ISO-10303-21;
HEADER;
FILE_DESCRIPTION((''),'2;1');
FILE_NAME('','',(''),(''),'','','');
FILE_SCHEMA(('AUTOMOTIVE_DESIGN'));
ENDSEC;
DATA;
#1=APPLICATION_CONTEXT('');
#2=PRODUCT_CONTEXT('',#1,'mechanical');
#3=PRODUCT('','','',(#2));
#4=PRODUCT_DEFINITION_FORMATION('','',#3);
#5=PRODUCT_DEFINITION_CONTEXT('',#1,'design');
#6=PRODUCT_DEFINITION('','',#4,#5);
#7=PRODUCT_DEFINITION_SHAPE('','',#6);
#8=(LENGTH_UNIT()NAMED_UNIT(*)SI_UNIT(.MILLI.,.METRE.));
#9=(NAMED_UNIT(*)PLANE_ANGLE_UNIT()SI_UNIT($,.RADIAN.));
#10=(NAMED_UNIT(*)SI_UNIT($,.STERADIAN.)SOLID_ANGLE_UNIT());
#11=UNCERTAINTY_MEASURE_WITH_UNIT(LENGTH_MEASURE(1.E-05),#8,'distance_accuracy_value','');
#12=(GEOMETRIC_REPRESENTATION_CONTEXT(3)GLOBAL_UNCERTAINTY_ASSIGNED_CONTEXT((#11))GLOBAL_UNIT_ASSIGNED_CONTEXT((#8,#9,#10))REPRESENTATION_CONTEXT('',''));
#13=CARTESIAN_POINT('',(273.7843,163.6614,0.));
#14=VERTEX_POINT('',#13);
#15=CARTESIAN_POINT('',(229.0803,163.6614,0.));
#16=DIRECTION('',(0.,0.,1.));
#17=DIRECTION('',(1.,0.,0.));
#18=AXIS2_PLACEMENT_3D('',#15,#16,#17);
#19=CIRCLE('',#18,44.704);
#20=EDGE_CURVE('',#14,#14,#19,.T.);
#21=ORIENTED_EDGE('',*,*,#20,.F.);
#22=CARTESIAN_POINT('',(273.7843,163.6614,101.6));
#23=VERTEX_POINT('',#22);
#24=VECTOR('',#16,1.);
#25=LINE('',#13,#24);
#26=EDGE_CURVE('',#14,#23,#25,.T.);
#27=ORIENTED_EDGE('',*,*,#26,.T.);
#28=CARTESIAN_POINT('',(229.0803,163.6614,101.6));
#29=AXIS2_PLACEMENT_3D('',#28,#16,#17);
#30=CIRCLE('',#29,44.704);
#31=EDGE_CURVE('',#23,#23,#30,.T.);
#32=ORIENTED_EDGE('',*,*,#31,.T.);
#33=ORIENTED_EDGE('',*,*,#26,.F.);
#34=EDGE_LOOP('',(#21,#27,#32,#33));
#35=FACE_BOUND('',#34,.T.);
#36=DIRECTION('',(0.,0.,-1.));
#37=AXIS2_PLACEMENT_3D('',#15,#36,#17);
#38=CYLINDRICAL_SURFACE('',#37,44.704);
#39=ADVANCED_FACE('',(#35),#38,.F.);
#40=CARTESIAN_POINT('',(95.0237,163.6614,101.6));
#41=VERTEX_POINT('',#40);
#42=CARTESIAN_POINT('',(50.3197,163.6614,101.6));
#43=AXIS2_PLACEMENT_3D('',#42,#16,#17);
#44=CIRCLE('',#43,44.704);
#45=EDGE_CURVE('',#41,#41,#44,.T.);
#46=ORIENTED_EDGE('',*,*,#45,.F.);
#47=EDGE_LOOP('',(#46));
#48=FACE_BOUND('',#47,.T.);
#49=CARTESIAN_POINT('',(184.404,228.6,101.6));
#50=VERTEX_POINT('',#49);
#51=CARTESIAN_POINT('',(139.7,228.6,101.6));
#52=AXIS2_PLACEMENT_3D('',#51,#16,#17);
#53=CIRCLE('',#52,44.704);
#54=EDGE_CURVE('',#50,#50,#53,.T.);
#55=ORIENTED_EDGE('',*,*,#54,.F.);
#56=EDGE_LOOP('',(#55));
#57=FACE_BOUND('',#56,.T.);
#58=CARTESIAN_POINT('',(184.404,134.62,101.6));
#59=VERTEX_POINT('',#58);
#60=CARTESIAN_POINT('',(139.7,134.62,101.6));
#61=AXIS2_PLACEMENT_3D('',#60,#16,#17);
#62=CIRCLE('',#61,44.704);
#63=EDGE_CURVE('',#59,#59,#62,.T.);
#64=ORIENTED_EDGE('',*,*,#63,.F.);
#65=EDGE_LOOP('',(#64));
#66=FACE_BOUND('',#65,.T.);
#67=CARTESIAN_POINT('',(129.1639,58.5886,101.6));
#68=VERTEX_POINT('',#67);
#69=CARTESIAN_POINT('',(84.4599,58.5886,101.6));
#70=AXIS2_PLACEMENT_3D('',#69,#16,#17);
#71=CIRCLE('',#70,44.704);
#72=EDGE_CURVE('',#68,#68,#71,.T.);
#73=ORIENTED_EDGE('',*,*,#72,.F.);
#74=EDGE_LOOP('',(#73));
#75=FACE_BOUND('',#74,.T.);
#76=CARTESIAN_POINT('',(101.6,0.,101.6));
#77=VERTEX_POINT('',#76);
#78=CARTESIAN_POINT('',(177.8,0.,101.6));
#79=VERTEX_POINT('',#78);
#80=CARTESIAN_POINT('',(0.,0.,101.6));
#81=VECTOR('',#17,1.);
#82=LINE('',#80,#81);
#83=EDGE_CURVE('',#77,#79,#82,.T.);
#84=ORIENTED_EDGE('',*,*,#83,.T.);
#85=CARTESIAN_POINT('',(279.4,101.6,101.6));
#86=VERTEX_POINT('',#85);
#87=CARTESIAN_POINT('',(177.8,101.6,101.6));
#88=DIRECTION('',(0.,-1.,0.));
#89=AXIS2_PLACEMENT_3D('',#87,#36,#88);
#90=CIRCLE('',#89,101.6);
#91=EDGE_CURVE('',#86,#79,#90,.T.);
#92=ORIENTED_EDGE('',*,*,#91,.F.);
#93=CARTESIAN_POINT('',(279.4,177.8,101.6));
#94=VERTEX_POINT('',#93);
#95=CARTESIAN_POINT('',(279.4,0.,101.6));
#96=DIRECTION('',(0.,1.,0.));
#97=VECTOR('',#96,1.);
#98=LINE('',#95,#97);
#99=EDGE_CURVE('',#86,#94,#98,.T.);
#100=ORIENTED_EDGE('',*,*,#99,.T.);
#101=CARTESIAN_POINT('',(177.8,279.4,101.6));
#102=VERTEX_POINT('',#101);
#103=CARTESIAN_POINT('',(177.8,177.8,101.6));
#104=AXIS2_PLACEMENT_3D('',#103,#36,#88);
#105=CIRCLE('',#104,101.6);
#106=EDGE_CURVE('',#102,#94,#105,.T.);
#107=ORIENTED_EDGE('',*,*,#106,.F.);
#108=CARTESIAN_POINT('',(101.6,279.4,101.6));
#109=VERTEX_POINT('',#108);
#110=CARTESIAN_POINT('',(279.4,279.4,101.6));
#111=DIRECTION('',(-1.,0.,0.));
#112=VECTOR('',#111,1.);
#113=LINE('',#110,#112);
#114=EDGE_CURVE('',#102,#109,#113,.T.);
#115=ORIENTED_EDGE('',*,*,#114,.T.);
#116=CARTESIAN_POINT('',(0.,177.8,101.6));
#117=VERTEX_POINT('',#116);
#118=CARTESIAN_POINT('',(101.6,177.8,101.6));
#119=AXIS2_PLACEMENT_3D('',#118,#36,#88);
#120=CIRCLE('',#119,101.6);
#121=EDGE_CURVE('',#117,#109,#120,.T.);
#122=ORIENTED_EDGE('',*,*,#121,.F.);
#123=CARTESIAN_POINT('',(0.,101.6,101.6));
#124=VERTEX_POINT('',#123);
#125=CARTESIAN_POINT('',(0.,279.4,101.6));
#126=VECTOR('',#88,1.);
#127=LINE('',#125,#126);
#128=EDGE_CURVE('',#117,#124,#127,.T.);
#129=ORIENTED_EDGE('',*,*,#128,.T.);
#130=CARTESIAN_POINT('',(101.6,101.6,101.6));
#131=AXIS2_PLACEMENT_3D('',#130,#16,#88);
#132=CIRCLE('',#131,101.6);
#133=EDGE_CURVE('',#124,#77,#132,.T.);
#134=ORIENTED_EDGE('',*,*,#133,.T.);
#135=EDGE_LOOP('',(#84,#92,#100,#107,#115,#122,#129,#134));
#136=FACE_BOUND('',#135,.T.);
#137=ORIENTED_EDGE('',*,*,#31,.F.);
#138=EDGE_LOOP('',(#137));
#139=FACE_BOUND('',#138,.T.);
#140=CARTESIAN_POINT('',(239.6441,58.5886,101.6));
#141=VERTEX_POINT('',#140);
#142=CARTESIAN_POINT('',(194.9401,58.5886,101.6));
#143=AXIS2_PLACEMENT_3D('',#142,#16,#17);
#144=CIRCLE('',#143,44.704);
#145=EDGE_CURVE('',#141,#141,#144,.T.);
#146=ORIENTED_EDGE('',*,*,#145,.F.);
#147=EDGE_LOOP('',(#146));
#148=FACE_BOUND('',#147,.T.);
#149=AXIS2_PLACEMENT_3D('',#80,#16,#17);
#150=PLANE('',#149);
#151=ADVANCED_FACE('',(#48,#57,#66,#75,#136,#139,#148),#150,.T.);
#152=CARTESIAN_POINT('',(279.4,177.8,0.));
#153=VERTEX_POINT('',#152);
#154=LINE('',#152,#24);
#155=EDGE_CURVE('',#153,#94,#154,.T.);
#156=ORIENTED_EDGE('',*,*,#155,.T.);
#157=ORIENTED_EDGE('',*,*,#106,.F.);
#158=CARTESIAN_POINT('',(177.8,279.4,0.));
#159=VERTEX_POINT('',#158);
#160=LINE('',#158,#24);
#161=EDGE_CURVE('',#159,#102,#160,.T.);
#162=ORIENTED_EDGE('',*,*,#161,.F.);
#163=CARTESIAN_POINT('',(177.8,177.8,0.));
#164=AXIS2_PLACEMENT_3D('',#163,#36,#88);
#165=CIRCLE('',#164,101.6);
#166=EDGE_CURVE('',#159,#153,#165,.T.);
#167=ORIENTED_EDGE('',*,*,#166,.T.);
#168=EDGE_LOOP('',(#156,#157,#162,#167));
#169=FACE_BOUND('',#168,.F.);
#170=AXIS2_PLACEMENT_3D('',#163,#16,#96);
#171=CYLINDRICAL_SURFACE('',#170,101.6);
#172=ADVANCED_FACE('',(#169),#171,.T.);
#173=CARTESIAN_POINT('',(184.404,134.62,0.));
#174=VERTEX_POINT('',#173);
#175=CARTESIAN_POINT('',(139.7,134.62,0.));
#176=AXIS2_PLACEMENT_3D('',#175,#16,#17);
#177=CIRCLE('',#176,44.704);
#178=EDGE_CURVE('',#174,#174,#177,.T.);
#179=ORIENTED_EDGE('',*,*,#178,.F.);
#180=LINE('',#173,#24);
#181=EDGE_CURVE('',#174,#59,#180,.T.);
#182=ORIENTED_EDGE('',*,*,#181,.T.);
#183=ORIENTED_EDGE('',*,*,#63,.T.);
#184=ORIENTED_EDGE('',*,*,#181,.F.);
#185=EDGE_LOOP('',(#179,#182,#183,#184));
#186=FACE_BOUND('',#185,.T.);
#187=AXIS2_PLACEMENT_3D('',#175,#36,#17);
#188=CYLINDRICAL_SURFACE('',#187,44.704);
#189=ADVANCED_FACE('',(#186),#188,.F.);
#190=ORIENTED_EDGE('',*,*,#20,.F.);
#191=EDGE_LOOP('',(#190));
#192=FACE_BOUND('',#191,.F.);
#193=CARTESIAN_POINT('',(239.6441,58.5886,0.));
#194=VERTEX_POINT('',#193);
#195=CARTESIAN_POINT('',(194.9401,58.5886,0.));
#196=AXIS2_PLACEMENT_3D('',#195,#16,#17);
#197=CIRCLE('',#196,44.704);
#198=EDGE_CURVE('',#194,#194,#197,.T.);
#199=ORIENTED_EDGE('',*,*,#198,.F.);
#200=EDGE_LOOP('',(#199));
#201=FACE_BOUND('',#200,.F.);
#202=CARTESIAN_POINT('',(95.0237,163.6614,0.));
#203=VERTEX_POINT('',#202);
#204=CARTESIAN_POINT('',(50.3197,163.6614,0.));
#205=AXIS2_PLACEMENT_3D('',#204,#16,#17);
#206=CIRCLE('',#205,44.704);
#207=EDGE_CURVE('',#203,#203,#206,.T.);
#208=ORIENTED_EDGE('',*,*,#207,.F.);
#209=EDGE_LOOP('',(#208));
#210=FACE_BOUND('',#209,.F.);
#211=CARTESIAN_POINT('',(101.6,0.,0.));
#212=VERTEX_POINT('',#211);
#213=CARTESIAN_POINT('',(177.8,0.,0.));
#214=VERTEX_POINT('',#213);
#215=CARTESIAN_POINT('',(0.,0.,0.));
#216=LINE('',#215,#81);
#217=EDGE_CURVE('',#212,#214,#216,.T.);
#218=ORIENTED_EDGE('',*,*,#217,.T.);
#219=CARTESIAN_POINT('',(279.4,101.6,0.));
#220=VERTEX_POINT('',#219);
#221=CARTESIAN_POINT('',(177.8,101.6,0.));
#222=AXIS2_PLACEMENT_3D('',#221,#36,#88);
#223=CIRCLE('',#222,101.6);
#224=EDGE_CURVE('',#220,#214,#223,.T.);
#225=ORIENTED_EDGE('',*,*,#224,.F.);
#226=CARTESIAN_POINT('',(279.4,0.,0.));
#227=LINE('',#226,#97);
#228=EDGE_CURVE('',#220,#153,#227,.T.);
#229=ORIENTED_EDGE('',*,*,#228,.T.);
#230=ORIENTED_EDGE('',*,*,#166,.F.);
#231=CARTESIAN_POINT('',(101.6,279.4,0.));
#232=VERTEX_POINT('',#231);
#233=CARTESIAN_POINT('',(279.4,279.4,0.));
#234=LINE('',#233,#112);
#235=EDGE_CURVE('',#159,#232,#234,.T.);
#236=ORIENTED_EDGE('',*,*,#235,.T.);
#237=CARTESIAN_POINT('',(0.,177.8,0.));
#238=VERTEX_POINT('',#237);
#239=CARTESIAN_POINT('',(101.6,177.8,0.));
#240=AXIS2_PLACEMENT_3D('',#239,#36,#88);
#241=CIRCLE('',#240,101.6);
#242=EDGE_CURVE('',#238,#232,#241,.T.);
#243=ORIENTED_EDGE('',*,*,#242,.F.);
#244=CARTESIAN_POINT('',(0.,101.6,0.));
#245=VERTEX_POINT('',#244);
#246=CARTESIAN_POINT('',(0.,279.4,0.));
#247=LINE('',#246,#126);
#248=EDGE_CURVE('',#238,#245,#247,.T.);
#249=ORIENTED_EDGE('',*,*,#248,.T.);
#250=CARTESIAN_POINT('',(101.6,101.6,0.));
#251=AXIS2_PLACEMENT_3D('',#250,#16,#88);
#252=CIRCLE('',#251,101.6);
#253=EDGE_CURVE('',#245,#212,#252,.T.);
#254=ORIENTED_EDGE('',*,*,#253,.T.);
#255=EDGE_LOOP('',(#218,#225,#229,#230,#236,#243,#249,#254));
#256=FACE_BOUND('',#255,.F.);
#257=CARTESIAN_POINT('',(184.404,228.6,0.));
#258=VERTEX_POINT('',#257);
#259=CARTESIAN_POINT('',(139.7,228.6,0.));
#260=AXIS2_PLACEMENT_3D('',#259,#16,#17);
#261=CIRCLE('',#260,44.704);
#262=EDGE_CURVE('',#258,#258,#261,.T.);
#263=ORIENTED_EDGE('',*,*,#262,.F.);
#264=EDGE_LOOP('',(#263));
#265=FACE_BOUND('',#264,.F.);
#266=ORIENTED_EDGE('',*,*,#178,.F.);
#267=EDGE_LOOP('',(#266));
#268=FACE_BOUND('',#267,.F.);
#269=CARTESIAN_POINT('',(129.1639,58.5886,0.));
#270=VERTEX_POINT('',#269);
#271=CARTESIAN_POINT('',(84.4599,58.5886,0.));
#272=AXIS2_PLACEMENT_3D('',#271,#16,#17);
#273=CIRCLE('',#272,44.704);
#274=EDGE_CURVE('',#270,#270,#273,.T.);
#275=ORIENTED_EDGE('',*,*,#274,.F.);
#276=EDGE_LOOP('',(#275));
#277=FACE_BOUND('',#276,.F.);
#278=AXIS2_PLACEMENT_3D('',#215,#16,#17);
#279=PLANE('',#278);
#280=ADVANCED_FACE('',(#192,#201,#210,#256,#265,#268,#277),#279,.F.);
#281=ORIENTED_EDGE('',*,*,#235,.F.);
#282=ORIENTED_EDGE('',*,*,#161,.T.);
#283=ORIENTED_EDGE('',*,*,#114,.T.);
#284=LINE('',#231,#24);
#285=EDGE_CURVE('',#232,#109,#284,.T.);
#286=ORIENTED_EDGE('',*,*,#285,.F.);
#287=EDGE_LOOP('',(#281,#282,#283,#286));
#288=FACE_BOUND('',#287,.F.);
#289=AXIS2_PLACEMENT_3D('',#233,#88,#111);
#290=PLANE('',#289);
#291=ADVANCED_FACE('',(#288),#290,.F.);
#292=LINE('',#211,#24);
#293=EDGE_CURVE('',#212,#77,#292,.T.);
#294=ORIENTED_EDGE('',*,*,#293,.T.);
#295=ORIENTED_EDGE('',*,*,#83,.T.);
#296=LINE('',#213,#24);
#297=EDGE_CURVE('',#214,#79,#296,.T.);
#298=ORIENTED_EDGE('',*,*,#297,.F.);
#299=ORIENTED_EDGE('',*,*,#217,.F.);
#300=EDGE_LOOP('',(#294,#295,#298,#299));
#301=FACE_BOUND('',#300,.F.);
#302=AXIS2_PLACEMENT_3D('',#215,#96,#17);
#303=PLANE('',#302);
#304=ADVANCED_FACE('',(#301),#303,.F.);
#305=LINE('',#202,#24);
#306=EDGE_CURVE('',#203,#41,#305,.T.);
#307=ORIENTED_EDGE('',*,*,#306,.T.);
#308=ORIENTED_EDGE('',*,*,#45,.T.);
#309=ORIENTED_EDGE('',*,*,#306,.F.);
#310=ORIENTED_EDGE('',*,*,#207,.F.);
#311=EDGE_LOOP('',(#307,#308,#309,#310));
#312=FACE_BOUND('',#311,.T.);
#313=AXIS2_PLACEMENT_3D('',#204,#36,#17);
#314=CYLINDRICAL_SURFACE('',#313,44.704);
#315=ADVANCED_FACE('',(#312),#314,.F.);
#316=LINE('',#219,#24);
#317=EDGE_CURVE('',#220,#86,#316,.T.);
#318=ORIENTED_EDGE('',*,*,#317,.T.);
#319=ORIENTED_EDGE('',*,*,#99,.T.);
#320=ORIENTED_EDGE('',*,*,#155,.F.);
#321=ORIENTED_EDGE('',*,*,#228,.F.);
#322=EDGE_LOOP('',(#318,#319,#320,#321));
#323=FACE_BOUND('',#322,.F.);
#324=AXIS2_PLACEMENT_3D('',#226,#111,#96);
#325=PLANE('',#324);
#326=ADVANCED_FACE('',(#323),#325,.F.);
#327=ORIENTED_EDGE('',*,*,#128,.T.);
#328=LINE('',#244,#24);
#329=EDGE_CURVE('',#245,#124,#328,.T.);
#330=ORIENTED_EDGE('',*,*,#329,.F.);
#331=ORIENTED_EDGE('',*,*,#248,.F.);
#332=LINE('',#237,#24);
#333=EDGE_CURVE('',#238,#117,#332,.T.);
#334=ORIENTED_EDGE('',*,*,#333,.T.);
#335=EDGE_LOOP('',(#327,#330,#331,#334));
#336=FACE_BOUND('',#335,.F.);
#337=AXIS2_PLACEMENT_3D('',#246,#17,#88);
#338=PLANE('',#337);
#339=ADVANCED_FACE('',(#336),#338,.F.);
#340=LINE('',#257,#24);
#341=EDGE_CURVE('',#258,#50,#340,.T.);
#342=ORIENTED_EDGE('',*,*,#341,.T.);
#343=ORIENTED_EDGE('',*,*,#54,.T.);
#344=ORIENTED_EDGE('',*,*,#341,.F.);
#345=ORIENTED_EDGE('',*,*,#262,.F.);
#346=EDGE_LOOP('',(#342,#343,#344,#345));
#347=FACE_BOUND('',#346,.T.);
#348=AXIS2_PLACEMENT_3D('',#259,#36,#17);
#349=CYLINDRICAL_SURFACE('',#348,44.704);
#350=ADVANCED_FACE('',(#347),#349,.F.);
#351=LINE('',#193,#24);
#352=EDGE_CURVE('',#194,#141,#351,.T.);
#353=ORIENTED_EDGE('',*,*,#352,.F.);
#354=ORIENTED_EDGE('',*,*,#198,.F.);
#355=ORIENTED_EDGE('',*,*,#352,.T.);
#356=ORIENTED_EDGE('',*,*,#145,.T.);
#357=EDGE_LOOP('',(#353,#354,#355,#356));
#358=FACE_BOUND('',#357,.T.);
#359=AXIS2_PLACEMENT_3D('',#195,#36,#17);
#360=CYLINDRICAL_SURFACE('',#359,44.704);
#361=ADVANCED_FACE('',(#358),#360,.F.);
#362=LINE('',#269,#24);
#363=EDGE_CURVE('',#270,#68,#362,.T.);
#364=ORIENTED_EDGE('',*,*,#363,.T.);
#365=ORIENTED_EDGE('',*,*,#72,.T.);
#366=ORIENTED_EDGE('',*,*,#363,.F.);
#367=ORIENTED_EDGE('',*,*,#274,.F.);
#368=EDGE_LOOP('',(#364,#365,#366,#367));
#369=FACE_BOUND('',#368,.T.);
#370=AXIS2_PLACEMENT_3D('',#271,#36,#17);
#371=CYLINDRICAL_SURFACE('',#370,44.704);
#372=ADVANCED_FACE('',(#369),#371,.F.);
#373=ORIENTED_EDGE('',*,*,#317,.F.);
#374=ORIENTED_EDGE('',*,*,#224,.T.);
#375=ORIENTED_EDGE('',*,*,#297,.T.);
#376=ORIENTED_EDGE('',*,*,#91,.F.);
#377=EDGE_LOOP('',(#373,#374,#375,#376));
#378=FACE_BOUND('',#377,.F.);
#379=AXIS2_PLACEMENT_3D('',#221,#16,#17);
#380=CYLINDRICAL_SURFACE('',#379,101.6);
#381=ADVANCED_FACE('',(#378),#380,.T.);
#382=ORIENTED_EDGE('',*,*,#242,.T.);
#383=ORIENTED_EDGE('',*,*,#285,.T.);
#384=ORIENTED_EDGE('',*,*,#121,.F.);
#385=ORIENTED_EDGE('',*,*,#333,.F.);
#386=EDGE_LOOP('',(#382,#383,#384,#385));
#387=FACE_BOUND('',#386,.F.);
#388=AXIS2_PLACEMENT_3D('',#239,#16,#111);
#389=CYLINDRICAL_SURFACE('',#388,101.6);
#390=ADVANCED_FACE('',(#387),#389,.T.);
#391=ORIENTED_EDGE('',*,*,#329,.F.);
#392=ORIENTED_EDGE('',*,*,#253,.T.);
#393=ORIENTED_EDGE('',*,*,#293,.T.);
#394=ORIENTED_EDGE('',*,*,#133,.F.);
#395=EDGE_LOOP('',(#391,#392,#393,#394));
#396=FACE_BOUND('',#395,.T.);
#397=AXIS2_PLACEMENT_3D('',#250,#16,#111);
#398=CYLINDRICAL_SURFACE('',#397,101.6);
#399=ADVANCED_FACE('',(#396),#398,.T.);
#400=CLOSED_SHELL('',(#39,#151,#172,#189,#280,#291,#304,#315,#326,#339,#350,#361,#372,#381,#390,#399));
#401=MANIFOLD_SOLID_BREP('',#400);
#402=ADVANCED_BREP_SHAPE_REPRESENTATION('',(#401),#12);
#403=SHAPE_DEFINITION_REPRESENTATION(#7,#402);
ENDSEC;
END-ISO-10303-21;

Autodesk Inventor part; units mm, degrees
ref_plane "YZ Plane" through (0, 0, 0) normal (1, 0, 0) x (0, 1, 0)
sketch "Sketch1" plane through (0, 0, 0) normal (0, 0, 1) x (1, 0, 0)
  line L0 (0, 0) -> (279.4, 0)
  line L1 (279.4, 0) -> (279.4, 279.4)
  line L2 (279.4, 279.4) -> (0, 279.4)
  line L3 (0, 279.4) -> (0, 0)
  circle A0 centre (139.7, 134.62) radius 44.704
  circle A1 centre (139.7, 228.6) radius 44.704
  circle A2 centre (50.3197, 163.6614) radius 44.704
  circle A3 centre (84.4599, 58.5886) radius 44.704
  circle A4 centre (194.9401, 58.5886) radius 44.704
  circle A5 centre (229.0803, 163.6614) radius 44.704
  dimension "d0" = 279.4
  dimension "d1" = 279.4
  dimension "d2" = 89.408
  dimension "d3" = 89.408
  dimension "d6" = 360
extrude "Extrusion1" add sketch "Sketch1" along normal blind 101.6
fillet "Fillet1" radius 101.6 4 edges at (279.4, 279.4, 50.8) (0, 279.4, 50.8) (279.4, 0, 50.8) (0, 0, 50.8)
ref_plane "Work Plane1" through (139.7, 101.6, 0) normal (1, 0, 0) x (0, 0, -1)
ref_plane "Work Plane2" through (0, 0, 50.8) normal (0, 0, 1) x (1, 0, 0)
sketch "Sketch2" plane through (279.4, 101.6, 0) normal (1, 0, 0) x (0, 0, -1)
  line L0 (0, 0) -> (-101.6, 0) projected
  line L1 (0, 0) -> (0, 76.2) projected
  line L2 (-101.6, 76.2) -> (0, 76.2) projected
  line L3 (-101.6, 0) -> (-101.6, 76.2) projected
  circle A0 centre (-50.8, 38.1) radius 12.7
  point P0 (0, -101.6)
  dimension "d14" = 25.4
sketch "Sketch3" plane through (0, 101.6, 0) normal (-1, 0, 0) x (0, 0, 1)
  line L0 (101.6, 0) -> (0, 0) projected
  line L1 (101.6, 76.2) -> (101.6, 0) projected
  line L2 (0, 76.2) -> (101.6, 76.2) projected
  line L3 (0, 76.2) -> (0, 0) projected
  circle A0 centre (50.8, 38.1) radius 12.7
  point P0 (0, -101.6)
  dimension "d15" = 25.4
properties part number "ShooterMount"
